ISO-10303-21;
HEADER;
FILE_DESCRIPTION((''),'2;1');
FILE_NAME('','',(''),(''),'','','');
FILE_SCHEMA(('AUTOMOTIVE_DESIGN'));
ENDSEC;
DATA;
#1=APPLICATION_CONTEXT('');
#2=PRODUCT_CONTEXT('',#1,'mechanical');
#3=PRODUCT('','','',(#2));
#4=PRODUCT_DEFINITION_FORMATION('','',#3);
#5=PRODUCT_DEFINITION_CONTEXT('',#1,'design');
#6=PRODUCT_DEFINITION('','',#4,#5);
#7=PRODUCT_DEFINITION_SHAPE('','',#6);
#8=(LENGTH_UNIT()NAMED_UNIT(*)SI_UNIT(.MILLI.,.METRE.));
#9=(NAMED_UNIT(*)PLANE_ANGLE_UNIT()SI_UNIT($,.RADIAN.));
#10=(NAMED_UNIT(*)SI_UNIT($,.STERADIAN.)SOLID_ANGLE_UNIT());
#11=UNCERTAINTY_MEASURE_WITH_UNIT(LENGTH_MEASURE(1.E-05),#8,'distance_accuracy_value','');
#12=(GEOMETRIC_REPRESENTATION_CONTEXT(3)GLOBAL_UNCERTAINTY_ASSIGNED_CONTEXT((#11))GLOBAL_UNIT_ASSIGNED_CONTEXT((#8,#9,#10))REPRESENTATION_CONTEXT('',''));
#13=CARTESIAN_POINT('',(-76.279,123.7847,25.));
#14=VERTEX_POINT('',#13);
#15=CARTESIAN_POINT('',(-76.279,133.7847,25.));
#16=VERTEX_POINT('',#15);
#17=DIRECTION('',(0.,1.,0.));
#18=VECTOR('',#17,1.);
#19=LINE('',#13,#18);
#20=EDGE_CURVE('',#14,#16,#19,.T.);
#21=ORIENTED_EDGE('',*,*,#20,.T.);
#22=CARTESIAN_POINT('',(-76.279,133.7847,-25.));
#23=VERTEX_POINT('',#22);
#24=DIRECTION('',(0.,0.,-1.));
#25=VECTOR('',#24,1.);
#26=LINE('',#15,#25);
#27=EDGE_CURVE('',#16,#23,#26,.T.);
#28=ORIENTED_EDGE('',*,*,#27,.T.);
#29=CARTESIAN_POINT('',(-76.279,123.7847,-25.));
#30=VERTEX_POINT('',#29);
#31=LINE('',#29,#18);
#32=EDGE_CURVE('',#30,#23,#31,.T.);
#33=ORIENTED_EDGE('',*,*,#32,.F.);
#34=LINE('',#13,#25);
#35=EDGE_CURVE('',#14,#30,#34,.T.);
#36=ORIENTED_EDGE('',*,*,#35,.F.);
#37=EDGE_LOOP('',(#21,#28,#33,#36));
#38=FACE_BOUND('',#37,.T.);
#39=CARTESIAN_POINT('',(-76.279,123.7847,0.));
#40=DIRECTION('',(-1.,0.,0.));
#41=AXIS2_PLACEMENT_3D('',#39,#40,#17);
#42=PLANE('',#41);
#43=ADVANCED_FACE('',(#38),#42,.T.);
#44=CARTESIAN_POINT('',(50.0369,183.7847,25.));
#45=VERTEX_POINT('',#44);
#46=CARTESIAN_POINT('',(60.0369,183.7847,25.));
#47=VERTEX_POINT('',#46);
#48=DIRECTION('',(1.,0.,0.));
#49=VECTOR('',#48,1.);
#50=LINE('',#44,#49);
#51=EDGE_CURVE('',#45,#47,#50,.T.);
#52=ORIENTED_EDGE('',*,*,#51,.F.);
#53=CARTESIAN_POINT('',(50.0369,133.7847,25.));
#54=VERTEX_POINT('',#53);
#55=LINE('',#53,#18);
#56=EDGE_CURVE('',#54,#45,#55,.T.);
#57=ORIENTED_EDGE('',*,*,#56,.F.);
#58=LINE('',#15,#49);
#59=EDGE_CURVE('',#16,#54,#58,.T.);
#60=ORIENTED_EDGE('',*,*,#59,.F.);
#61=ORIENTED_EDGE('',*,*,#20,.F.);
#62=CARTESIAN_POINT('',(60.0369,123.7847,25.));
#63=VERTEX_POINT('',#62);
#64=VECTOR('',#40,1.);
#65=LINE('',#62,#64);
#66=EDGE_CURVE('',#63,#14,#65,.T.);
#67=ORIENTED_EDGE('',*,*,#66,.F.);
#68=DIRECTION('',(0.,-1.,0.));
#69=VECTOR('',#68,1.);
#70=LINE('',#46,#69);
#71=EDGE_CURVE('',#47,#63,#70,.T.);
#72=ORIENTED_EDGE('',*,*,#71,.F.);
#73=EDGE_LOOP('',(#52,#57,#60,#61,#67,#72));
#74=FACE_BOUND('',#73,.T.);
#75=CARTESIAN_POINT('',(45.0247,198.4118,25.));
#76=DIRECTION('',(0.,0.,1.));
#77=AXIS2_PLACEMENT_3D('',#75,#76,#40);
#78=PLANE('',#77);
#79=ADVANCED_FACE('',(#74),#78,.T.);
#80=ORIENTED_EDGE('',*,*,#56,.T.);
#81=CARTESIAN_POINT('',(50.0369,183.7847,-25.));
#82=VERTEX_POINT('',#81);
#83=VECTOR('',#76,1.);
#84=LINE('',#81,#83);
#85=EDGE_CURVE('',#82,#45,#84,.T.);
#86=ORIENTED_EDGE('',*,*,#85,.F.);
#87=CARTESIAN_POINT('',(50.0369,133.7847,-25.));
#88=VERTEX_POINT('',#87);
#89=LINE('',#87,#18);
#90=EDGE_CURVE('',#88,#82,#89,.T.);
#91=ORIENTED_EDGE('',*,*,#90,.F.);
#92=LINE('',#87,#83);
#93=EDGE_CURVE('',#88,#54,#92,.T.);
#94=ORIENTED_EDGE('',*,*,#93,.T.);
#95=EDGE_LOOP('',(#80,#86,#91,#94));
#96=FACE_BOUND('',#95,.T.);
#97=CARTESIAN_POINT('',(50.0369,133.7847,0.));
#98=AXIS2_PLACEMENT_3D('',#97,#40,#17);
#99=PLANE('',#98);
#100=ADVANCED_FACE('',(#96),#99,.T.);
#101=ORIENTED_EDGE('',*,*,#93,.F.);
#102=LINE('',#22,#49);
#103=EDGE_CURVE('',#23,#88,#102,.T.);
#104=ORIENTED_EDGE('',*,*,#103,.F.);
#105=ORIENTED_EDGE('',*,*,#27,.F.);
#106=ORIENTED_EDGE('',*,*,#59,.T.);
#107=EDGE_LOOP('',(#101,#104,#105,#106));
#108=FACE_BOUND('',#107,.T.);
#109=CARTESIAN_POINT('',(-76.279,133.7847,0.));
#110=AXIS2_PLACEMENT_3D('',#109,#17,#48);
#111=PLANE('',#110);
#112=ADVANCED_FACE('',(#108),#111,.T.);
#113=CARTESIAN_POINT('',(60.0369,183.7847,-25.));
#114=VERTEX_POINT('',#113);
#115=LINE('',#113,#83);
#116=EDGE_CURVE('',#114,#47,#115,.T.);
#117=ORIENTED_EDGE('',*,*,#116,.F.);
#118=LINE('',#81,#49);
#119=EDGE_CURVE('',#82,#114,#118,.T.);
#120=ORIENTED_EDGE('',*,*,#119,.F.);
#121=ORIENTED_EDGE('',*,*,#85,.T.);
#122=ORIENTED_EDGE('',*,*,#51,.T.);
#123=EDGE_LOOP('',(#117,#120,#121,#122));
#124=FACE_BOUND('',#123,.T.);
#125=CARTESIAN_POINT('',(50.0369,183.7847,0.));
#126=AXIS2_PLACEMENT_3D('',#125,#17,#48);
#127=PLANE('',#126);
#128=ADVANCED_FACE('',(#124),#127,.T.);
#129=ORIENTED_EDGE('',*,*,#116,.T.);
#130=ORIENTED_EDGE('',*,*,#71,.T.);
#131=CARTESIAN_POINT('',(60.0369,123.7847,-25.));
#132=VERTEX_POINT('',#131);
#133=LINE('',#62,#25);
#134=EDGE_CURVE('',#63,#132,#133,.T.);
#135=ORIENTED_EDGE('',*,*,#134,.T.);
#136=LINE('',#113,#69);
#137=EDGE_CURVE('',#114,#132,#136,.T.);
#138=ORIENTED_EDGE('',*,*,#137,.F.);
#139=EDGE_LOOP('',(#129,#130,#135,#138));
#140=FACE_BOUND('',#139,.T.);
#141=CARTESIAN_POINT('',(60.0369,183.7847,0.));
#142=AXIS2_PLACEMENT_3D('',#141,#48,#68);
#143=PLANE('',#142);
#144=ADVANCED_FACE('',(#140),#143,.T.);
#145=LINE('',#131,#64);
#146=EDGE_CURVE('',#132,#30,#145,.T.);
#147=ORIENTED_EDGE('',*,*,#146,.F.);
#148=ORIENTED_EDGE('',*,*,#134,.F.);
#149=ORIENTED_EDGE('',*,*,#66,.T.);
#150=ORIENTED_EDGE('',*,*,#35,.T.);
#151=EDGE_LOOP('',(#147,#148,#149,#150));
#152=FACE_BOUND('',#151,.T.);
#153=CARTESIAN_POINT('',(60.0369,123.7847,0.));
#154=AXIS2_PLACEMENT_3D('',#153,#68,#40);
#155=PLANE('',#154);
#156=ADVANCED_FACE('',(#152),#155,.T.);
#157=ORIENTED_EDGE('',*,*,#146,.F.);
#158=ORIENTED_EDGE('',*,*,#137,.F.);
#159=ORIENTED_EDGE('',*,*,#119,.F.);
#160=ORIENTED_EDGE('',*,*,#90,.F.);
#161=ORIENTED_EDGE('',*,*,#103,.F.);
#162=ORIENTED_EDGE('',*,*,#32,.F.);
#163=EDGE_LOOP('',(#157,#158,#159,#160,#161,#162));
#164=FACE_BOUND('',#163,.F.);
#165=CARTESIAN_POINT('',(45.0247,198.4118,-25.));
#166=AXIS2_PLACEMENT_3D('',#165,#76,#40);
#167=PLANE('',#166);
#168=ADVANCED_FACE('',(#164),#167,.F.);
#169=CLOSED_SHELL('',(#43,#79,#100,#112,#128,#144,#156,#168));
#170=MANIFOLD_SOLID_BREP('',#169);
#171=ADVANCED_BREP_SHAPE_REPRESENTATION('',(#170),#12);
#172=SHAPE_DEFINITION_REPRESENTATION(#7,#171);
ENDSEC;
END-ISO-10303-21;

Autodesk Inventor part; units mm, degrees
ref_plane "YZ Plane" through (0, 0, 0) normal (1, 0, 0) x (0, 1, 0)
ref_plane "XZ Plane" through (0, 0, 0) normal (0, 1, 0) x (-1, 0, 0)
ref_plane "XY Plane" through (0, 0, 0) normal (0, 0, 1) x (1, 0, 0)
ref_plane "Work Plane1" through (45.0247, 198.4118, 0) normal (0, 0, 1) x (-1, 0, 0)
sketch "Sketch1" plane through (45.0247, 198.4118, 0) normal (0, 0, 1) x (-1, 0, 0)
  line L0 (-15.0122, 14.6271) -> (-15.0122, 74.6271)
  line L1 (-15.0122, 74.6271) -> (121.3037, 74.6271)
  line L2 (121.3037, 64.6271) -> (-5.0122, 64.6271)
  line L3 (-5.0122, 64.6271) -> (-5.0122, 14.6271)
  line L4 (121.3037, 74.6271) -> (121.3037, 62.2791)
  line L5 (-5.0122, 14.6271) -> (-15.0122, 14.6271)
  point P0 (45.0247, 198.4118)
  dimension "d13" = 60
  dimension "d15" = 10
extrude "Extrusion1" add sketch "Sketch1" along normal mid plane 50
sketch "Sketch2" plane through (60.0369, 123.7848, 25) normal (1, 0, 0) x (0, 0, -1)
  line L0 (50, 60) -> (50, 0) projected
  line L1 (50, 60) -> (0, 60) projected
  point P0 (40, 50)
  dimension "d11" = 10
  dimension "d12" = 10
properties part number "gira  down"
